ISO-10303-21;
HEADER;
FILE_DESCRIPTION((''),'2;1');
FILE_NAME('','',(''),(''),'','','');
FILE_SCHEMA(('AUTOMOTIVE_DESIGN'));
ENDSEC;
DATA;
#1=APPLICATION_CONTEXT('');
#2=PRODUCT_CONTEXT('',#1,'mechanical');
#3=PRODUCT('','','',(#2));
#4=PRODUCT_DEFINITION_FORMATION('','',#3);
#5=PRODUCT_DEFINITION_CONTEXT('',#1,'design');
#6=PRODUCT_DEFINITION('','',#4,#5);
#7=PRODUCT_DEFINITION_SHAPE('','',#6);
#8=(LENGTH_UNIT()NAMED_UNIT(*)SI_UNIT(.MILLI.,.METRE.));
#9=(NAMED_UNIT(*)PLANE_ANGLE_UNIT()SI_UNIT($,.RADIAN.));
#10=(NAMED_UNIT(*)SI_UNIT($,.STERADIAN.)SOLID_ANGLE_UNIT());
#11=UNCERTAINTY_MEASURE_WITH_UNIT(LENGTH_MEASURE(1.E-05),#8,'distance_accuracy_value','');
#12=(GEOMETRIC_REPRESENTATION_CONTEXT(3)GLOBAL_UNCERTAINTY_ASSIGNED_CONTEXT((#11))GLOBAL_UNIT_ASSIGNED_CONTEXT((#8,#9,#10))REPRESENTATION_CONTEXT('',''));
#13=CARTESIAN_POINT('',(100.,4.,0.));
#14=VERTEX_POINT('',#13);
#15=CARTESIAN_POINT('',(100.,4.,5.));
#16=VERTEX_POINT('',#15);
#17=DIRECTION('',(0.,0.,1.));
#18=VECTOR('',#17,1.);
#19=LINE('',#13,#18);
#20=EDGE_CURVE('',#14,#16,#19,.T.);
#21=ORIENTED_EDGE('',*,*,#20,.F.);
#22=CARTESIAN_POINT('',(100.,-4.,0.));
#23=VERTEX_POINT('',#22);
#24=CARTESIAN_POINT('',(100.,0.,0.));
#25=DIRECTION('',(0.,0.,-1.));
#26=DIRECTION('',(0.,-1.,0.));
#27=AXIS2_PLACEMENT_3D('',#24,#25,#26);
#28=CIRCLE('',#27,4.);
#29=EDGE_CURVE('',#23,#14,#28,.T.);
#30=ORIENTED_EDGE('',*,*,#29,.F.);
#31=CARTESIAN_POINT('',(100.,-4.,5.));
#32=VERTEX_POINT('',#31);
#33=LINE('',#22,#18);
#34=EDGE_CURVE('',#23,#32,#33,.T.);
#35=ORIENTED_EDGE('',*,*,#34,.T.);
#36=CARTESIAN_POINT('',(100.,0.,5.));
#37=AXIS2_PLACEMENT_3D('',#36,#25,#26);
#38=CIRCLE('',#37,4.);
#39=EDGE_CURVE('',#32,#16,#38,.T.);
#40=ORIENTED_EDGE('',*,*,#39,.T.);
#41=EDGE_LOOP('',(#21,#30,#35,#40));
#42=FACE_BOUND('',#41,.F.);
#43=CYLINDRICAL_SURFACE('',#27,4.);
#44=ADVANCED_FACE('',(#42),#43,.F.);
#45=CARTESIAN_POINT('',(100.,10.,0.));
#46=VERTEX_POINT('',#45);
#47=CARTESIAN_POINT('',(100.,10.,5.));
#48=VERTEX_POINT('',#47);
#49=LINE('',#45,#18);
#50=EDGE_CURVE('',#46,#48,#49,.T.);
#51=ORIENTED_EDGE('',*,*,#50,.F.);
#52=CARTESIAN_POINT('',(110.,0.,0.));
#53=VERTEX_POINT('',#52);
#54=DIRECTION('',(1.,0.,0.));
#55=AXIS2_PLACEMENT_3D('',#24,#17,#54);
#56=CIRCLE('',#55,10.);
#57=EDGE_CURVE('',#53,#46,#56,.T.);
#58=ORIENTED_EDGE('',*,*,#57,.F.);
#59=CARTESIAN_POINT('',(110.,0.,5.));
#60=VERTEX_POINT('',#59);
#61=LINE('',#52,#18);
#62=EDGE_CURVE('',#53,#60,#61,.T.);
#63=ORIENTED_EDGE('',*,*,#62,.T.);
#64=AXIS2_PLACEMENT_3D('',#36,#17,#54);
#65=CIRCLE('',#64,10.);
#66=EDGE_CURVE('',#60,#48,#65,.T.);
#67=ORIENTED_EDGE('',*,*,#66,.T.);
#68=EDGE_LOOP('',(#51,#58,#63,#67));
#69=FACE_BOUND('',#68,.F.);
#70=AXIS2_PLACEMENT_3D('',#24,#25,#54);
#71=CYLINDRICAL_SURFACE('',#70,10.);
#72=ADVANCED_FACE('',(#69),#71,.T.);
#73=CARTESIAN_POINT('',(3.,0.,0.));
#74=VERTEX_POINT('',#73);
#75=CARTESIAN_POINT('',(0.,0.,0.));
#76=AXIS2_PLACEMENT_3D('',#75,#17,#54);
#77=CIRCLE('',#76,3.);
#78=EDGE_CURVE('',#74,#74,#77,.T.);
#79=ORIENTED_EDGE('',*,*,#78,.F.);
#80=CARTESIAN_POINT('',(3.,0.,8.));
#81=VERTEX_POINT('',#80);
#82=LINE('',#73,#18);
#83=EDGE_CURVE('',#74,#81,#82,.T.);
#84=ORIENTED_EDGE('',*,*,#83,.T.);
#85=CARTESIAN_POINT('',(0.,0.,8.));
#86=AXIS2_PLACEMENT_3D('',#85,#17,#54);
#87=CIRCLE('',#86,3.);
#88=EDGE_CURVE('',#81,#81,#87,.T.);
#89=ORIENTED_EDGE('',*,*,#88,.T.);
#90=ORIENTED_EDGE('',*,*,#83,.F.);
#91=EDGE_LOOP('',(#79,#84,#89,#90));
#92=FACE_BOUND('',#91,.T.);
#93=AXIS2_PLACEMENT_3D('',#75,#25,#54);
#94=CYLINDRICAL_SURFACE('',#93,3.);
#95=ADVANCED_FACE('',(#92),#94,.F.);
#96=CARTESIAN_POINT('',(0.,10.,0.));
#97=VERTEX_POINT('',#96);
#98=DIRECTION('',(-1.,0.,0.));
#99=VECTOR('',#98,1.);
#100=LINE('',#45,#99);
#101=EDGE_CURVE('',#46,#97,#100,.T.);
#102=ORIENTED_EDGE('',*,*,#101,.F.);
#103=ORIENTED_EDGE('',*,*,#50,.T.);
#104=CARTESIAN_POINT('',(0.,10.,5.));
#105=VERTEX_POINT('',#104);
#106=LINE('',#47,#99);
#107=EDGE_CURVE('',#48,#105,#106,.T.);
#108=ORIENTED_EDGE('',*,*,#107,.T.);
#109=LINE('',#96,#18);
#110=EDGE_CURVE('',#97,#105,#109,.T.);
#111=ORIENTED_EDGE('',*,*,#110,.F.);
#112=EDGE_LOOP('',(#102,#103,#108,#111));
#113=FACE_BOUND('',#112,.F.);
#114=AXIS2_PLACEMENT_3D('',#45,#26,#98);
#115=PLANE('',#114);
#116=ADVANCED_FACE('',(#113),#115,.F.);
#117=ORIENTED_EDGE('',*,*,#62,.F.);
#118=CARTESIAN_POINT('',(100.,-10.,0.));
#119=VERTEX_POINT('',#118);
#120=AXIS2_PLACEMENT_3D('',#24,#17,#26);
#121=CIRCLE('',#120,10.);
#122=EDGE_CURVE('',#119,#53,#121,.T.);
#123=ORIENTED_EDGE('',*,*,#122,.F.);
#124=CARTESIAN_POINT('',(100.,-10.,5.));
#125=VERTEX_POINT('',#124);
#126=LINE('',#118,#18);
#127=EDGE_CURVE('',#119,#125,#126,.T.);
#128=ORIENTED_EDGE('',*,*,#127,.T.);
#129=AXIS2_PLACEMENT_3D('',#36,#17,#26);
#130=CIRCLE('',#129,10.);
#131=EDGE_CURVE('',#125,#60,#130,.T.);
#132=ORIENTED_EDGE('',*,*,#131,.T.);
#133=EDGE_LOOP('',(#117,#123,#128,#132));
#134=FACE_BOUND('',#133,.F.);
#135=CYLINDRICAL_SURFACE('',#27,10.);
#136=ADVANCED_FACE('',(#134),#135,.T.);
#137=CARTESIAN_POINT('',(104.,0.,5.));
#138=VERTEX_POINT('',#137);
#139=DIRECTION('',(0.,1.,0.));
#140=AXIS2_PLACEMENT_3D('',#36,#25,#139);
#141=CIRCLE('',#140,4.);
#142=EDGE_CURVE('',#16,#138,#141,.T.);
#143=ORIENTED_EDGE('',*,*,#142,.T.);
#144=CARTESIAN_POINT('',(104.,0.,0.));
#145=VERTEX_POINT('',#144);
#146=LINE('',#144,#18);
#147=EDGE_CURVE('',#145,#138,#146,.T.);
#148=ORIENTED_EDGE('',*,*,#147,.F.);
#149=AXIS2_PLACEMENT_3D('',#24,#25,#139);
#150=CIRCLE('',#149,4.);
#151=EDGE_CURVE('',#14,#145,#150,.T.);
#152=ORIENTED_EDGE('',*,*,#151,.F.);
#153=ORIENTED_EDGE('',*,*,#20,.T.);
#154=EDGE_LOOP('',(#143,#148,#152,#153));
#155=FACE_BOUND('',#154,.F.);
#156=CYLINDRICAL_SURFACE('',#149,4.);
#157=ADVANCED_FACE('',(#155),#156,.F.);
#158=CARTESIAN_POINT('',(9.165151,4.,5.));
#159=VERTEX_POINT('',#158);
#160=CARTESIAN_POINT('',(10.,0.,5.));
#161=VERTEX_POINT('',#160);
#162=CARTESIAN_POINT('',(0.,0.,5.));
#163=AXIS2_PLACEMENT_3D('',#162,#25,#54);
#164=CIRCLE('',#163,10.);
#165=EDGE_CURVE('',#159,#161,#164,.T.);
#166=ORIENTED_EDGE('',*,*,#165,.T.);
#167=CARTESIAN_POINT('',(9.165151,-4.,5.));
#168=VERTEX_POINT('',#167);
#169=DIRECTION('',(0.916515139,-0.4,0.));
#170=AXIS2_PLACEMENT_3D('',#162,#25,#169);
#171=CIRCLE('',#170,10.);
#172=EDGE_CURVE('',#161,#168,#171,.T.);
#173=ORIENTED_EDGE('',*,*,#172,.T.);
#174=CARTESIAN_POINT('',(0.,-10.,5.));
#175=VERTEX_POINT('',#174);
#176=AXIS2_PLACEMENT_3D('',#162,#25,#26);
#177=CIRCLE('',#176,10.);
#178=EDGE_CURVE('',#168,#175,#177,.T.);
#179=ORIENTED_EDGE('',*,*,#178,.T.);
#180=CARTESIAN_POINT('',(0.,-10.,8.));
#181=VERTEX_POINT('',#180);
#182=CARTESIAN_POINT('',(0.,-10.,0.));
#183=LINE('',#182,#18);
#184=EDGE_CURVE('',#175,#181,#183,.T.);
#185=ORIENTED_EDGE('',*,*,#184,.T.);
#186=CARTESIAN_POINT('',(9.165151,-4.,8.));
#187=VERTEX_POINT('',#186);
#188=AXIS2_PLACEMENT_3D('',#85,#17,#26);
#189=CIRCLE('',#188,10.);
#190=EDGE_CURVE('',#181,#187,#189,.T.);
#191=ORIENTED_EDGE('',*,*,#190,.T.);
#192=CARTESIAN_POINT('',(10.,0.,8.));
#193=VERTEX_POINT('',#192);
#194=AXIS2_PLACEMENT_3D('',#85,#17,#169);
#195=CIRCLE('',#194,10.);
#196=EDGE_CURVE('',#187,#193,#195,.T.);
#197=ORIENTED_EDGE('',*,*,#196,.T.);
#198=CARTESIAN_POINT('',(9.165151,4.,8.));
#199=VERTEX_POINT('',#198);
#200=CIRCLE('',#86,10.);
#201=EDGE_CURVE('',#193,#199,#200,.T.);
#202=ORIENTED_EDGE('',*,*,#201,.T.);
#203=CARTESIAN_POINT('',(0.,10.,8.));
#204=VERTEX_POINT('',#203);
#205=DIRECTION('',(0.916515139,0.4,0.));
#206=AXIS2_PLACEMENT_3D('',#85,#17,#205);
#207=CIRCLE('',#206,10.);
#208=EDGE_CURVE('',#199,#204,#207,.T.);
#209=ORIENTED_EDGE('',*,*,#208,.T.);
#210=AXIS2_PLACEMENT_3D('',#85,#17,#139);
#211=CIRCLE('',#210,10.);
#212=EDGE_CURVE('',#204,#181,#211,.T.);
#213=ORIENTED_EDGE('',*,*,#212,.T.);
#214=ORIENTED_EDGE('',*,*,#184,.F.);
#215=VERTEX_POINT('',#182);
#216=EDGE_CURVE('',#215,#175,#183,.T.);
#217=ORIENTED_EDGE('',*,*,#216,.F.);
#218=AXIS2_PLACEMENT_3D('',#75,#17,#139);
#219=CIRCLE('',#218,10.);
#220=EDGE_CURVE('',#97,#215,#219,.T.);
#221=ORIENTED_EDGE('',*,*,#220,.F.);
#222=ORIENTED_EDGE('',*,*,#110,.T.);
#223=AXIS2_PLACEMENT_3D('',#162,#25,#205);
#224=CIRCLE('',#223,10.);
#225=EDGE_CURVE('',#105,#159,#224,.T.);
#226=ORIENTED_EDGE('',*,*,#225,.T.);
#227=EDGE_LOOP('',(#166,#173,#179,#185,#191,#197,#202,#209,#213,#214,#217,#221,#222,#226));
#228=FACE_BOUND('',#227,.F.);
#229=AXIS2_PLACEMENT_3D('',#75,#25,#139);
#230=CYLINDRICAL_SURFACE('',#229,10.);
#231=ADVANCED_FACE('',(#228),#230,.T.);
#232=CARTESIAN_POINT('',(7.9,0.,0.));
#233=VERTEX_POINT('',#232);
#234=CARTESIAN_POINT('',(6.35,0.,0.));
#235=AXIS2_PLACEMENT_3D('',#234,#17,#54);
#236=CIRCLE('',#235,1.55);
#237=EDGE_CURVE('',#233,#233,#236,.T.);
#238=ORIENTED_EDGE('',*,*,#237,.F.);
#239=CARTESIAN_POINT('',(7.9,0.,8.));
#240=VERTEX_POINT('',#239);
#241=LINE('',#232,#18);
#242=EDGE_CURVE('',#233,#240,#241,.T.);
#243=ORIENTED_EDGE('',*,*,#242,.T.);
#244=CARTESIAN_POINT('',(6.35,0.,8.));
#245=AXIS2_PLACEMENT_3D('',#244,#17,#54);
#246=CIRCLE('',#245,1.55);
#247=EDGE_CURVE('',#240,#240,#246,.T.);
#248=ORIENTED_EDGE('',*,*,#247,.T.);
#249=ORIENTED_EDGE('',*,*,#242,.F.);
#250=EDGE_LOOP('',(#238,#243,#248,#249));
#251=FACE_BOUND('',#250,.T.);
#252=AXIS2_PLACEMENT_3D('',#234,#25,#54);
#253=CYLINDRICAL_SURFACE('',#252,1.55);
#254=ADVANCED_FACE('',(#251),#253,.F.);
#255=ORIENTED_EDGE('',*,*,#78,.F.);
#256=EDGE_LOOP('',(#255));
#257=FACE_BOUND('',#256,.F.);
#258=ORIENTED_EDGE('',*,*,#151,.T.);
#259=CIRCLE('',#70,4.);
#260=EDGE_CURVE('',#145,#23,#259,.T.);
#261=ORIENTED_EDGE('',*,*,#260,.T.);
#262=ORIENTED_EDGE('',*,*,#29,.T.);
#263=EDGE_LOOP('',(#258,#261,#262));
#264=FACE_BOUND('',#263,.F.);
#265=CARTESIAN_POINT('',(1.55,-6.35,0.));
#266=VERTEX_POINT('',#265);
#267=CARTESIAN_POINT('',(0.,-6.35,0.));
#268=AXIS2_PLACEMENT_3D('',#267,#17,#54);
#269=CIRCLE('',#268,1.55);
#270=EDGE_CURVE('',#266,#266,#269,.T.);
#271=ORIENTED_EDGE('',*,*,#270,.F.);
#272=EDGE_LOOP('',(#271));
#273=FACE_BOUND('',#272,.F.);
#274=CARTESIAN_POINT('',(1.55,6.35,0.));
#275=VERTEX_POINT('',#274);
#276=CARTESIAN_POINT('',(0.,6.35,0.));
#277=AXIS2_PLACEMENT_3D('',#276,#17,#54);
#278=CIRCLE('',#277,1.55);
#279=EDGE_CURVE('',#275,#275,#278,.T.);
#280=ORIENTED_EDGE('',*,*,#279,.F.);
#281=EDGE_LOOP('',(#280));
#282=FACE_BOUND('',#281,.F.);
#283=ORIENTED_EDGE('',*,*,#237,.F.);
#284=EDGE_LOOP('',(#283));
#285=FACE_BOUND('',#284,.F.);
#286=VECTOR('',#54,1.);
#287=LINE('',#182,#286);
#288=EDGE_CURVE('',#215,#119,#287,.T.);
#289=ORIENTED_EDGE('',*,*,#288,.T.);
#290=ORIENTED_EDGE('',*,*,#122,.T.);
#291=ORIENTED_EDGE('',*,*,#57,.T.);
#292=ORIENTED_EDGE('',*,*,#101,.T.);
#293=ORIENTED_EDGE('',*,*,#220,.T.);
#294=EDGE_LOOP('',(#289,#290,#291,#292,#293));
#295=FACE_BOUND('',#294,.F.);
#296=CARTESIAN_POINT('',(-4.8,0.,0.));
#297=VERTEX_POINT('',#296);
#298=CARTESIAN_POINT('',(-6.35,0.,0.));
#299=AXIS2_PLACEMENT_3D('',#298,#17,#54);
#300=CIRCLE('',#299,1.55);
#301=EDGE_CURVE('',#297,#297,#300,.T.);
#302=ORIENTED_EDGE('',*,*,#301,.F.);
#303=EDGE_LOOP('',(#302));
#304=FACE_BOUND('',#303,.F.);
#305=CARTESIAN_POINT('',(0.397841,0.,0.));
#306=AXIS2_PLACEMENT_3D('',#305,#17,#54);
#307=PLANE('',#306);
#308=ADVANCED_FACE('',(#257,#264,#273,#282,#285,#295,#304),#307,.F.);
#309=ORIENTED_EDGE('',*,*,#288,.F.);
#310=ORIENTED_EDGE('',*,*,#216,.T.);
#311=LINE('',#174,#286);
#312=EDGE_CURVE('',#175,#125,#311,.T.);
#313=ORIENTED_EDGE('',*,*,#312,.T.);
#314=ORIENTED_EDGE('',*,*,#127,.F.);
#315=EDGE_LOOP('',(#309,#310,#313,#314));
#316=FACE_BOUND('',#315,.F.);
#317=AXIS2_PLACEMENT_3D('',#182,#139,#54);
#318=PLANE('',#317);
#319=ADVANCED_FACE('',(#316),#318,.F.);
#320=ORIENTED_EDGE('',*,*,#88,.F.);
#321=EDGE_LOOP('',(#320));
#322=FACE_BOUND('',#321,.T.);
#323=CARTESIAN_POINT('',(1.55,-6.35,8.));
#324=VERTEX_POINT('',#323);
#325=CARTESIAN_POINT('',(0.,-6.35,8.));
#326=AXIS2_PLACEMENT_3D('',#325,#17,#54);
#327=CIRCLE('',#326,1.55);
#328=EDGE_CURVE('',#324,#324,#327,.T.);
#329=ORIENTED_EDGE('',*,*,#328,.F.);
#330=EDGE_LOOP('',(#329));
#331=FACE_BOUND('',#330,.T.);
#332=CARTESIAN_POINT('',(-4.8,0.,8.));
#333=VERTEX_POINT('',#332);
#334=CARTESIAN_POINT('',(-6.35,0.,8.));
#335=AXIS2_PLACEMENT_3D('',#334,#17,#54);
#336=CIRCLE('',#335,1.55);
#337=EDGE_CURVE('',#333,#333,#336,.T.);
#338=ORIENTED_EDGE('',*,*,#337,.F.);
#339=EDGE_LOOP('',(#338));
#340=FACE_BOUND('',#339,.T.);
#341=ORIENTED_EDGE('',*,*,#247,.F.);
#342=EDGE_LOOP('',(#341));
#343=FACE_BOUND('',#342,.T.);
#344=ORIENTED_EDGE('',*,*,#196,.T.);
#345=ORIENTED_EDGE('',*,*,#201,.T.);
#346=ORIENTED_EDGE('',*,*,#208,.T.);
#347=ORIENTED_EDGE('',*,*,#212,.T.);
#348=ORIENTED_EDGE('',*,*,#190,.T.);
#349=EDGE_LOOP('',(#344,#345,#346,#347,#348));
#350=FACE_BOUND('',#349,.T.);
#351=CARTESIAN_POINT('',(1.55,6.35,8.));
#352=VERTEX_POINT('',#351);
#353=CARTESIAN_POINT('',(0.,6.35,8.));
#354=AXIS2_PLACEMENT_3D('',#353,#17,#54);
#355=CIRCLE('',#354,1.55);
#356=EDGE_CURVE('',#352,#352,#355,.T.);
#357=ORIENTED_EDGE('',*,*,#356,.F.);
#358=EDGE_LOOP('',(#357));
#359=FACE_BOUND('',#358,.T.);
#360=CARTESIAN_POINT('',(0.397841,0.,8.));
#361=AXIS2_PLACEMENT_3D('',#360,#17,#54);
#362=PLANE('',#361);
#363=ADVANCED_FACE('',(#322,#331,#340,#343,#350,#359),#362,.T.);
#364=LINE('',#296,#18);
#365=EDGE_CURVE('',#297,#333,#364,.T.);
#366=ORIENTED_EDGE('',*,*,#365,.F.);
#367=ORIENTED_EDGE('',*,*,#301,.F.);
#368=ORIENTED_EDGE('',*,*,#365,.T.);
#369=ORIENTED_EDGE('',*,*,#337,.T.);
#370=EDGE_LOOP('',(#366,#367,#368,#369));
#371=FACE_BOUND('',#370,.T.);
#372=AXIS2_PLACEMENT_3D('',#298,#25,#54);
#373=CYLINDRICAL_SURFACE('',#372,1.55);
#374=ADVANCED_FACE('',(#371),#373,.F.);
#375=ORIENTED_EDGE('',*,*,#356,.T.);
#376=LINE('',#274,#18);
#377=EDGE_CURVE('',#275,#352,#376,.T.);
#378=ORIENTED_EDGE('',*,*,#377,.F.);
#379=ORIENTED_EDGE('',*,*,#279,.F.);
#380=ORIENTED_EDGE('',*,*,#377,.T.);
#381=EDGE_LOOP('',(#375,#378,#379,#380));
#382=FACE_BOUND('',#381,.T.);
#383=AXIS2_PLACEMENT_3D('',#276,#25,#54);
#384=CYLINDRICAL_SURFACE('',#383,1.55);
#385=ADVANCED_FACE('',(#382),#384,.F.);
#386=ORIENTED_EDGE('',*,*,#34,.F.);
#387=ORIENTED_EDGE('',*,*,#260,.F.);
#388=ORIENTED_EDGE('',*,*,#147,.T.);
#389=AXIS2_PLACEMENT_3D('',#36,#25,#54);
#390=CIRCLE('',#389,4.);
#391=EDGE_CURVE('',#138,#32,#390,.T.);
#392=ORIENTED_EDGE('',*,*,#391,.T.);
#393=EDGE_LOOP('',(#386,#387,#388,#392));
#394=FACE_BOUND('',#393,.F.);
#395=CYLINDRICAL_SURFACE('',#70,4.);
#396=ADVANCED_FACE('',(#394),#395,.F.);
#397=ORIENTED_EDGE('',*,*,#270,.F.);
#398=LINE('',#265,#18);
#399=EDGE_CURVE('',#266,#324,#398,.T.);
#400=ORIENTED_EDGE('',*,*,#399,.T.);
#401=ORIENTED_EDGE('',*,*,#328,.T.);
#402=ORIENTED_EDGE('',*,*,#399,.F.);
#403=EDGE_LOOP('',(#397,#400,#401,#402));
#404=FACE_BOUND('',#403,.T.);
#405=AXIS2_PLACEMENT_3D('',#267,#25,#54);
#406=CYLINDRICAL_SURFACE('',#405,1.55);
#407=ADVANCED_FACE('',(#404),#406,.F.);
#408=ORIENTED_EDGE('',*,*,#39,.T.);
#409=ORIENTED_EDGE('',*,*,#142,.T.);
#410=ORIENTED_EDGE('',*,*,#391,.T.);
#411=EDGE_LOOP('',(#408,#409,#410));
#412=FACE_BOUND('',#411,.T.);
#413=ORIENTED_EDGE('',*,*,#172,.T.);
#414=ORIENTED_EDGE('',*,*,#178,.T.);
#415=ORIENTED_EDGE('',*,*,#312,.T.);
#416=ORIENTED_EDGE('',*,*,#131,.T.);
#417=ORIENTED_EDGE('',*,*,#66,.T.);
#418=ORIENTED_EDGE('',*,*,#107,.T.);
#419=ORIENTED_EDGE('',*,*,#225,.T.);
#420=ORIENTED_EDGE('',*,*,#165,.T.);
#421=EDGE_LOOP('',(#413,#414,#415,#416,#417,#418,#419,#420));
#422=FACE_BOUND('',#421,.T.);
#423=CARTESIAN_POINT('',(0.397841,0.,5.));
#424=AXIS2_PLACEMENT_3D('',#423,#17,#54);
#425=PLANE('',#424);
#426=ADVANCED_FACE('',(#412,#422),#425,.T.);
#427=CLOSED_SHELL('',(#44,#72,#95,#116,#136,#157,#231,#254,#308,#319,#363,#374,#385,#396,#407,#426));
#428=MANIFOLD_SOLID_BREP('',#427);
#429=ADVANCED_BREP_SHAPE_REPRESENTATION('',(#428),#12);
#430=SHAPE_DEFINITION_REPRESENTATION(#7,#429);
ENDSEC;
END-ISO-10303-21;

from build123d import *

# Parameters (mm, degrees)
F0_R     = 1.55
F0_R_2   = 3
F1_DEPTH = 5
F2_DEPTH = 8


with BuildPart() as f1:
    # F0 (on Top) → F1 (new body)
    with BuildSketch(Plane.XY):
        with BuildLine():
            ThreePointArc((9.1651513899, -4), (9.7890631293, -2.0430964369), (10, 0))
            ThreePointArc((10, 0), (9.7890631293, 2.0430964369), (9.1651513899, 4))
            ThreePointArc((9.1651513899, 4), (5.4772255751, 8.3666002653), (0, 10))
            ThreePointArc((0, 10), (-10, 0), (0, -10))
            ThreePointArc((0, -10), (5.4772255751, -8.3666002653), (9.1651513899, -4))
        make_face()
        with Locations((0, -6.35)):
            Circle(F0_R, mode=Mode.SUBTRACT)
        with Locations((-6.35, 0)):
            Circle(F0_R, mode=Mode.SUBTRACT)
        Circle(F0_R_2, mode=Mode.SUBTRACT)
        with Locations((6.35, 0)):
            Circle(F0_R, mode=Mode.SUBTRACT)
        with Locations((0, 6.35)):
            Circle(F0_R, mode=Mode.SUBTRACT)
        with BuildLine():
            ThreePointArc((0, 10), (5.4772255751, 8.3666002653), (9.1651513899, 4))
            Line((9.1651513899, 4), (90.8348486101, 4))
            ThreePointArc((90.8348486101, 4), (94.5227744249, 8.3666002653), (100, 10))
            Line((100, 10), (0, 10))
        make_face()
        with BuildLine():
            ThreePointArc((100, 10), (94.5227744249, 8.3666002653), (90.8348486101, 4))
            Line((90.8348486101, 4), (100, 4))
            ThreePointArc((100, 4), (102.8284271247, 2.8284271247), (104, 0))
            ThreePointArc((104, 0), (102.8284271247, -2.8284271247), (100, -4))
            Line((100, -4), (90.8348486101, -4))
            ThreePointArc((90.8348486101, -4), (94.5227744249, -8.3666002653), (100, -10))
            ThreePointArc((100, -10), (107.0710678119, -7.0710678119), (110, 0))
            ThreePointArc((110, 0), (107.0710678119, 7.0710678119), (100, 10))
        make_face()
        with BuildLine():
            Line((90.8348486101, -4), (9.1651513899, -4))
            ThreePointArc((9.1651513899, -4), (5.4772255751, -8.3666002653), (0, -10))
            Line((0, -10), (100, -10))
            ThreePointArc((100, -10), (94.5227744249, -8.3666002653), (90.8348486101, -4))
        make_face()
        with BuildLine():
            ThreePointArc((9.1651513899, 4), (9.7890631293, 2.0430964369), (10, 0))
            ThreePointArc((10, 0), (9.7890631293, -2.0430964369), (9.1651513899, -4))
            Line((9.1651513899, -4), (90.8348486101, -4))
            ThreePointArc((90.8348486101, -4), (90, 0), (90.8348486101, 4))
            Line((90.8348486101, 4), (9.1651513899, 4))
        make_face()
        with BuildLine():
            Line((100, 4), (90.8348486101, 4))
            ThreePointArc((90.8348486101, 4), (90, 0), (90.8348486101, -4))
            Line((90.8348486101, -4), (100, -4))
            ThreePointArc((100, -4), (96, 0), (100, 4))
        make_face()
    extrude(amount=F1_DEPTH)

    # F0 (on Top) → F2 (join)
    with BuildSketch(Plane.XY):
        with BuildLine():
            ThreePointArc((9.1651513899, -4), (9.7890631293, -2.0430964369), (10, 0))
            ThreePointArc((10, 0), (9.7890631293, 2.0430964369), (9.1651513899, 4))
            ThreePointArc((9.1651513899, 4), (5.4772255751, 8.3666002653), (0, 10))
            ThreePointArc((0, 10), (-10, 0), (0, -10))
            ThreePointArc((0, -10), (5.4772255751, -8.3666002653), (9.1651513899, -4))
        make_face()
        with Locations((0, -6.35)):
            Circle(F0_R, mode=Mode.SUBTRACT)
        with Locations((-6.35, 0)):
            Circle(F0_R, mode=Mode.SUBTRACT)
        Circle(F0_R_2, mode=Mode.SUBTRACT)
        with Locations((6.35, 0)):
            Circle(F0_R, mode=Mode.SUBTRACT)
        with Locations((0, 6.35)):
            Circle(F0_R, mode=Mode.SUBTRACT)
    extrude(amount=F2_DEPTH)


solid = f1.part
